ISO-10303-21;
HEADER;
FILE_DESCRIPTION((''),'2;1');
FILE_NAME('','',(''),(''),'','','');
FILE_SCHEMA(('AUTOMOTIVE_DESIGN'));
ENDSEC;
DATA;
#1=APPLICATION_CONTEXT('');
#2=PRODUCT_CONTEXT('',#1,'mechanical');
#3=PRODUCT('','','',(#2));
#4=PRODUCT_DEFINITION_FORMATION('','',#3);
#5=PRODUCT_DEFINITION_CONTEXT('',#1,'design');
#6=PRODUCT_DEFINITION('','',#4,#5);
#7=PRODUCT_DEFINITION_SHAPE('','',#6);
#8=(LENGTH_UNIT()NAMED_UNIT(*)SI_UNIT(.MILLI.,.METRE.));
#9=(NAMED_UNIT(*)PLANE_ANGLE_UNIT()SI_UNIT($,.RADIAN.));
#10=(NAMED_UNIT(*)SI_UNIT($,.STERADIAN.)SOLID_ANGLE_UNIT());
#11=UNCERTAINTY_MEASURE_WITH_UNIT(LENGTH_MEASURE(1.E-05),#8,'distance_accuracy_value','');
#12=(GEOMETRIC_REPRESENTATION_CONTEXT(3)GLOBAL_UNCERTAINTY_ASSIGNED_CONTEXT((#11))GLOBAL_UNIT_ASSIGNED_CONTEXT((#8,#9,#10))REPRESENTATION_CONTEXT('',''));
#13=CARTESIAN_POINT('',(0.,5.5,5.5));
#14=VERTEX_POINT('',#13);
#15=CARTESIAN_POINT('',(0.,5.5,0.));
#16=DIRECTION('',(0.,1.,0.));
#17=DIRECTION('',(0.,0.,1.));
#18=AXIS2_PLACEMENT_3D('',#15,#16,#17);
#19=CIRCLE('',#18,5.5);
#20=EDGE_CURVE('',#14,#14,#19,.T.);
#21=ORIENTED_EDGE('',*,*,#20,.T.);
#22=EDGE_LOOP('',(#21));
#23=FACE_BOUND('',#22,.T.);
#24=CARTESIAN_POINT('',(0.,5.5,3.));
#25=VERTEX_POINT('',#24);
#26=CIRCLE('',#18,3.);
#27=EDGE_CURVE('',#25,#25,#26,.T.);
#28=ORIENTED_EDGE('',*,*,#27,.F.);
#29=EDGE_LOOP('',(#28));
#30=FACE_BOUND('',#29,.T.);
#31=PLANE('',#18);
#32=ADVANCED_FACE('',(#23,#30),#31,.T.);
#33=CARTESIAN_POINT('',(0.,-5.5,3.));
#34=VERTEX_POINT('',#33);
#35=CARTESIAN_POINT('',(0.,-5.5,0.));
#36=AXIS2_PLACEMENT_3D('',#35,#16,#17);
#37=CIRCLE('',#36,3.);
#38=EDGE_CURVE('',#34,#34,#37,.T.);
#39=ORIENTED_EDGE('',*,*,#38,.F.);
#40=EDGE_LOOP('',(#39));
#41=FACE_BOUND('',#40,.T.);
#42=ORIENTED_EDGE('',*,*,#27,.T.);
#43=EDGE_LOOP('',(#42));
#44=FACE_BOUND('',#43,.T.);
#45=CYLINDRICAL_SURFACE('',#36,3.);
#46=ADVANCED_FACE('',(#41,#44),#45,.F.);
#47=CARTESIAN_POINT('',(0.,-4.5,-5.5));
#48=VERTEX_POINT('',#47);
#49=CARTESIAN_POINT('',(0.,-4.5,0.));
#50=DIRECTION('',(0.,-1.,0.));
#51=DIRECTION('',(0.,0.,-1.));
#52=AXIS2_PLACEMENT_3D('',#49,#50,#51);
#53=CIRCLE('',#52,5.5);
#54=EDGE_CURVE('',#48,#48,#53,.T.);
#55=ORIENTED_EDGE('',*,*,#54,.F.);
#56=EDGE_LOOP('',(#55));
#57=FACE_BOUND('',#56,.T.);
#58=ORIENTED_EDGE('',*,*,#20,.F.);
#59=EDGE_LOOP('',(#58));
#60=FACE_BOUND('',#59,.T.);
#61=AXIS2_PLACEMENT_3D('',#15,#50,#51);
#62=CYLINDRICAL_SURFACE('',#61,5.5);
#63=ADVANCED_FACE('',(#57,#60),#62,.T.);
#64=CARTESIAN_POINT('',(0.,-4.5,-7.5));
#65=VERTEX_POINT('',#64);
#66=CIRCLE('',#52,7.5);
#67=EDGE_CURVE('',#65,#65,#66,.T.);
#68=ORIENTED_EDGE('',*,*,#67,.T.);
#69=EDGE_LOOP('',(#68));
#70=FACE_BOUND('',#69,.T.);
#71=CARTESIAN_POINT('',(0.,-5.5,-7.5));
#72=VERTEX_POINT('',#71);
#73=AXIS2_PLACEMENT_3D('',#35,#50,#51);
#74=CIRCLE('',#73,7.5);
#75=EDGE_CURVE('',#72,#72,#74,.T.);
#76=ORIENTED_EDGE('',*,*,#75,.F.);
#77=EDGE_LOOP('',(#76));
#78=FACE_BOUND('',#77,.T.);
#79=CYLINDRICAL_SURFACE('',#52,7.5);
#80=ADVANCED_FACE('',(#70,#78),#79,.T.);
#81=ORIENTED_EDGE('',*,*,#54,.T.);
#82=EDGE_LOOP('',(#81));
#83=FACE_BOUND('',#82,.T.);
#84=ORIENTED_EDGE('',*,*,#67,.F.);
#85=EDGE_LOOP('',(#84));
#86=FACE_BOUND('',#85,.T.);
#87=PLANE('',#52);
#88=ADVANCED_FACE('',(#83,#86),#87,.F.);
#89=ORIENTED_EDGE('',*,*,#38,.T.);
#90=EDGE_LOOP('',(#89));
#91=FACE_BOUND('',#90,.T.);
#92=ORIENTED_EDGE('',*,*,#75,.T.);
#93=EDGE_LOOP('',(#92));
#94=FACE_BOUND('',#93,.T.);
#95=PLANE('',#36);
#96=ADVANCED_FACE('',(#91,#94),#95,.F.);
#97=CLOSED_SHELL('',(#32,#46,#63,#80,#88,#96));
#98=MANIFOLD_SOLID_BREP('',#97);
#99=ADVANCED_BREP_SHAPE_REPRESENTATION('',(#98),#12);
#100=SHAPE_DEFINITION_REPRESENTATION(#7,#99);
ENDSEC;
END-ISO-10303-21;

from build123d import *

# Parameters (mm, degrees)
SKETCH1_R           = 5.5
BOSS_EXTRUDE1_DEPTH = 5.5
SKETCH2_R           = 7.5
BOSS_EXTRUDE2_DEPTH = 1
SKETCH3_R           = 3
CUT_EXTRUDE1_DEPTH  = 16.28070679


with BuildPart() as part:
    # Sketch1 → Boss-Extrude1 (new, symmetric)
    with BuildSketch(Plane(origin=(0, 0, 0), x_dir=(1, 0, 0), z_dir=(0, 1, 0))):
        with Locations(Location((0, 0, 0), (0, 0, 270))):
            Circle(SKETCH1_R)
    extrude(amount=BOSS_EXTRUDE1_DEPTH, both=True)

    # Sketch2 → Boss-Extrude2 (add)
    with BuildSketch(Plane.XZ.offset(5.5)):
        with Locations(Location((0, 0, 0), (0, 0, 270))):
            Circle(SKETCH2_R)
    extrude(amount=-BOSS_EXTRUDE2_DEPTH)

    # Sketch3 → Cut-Extrude1 (cut, through all)
    with BuildSketch(Plane(origin=(0, 5.5, 0), x_dir=(1, 0, 0), z_dir=(0, 1, 0))):
        with Locations(Location((0, 0, 0), (0, 0, 270))):
            Circle(SKETCH3_R)
    extrude(amount=-CUT_EXTRUDE1_DEPTH, mode=Mode.SUBTRACT)


solid = part.part
